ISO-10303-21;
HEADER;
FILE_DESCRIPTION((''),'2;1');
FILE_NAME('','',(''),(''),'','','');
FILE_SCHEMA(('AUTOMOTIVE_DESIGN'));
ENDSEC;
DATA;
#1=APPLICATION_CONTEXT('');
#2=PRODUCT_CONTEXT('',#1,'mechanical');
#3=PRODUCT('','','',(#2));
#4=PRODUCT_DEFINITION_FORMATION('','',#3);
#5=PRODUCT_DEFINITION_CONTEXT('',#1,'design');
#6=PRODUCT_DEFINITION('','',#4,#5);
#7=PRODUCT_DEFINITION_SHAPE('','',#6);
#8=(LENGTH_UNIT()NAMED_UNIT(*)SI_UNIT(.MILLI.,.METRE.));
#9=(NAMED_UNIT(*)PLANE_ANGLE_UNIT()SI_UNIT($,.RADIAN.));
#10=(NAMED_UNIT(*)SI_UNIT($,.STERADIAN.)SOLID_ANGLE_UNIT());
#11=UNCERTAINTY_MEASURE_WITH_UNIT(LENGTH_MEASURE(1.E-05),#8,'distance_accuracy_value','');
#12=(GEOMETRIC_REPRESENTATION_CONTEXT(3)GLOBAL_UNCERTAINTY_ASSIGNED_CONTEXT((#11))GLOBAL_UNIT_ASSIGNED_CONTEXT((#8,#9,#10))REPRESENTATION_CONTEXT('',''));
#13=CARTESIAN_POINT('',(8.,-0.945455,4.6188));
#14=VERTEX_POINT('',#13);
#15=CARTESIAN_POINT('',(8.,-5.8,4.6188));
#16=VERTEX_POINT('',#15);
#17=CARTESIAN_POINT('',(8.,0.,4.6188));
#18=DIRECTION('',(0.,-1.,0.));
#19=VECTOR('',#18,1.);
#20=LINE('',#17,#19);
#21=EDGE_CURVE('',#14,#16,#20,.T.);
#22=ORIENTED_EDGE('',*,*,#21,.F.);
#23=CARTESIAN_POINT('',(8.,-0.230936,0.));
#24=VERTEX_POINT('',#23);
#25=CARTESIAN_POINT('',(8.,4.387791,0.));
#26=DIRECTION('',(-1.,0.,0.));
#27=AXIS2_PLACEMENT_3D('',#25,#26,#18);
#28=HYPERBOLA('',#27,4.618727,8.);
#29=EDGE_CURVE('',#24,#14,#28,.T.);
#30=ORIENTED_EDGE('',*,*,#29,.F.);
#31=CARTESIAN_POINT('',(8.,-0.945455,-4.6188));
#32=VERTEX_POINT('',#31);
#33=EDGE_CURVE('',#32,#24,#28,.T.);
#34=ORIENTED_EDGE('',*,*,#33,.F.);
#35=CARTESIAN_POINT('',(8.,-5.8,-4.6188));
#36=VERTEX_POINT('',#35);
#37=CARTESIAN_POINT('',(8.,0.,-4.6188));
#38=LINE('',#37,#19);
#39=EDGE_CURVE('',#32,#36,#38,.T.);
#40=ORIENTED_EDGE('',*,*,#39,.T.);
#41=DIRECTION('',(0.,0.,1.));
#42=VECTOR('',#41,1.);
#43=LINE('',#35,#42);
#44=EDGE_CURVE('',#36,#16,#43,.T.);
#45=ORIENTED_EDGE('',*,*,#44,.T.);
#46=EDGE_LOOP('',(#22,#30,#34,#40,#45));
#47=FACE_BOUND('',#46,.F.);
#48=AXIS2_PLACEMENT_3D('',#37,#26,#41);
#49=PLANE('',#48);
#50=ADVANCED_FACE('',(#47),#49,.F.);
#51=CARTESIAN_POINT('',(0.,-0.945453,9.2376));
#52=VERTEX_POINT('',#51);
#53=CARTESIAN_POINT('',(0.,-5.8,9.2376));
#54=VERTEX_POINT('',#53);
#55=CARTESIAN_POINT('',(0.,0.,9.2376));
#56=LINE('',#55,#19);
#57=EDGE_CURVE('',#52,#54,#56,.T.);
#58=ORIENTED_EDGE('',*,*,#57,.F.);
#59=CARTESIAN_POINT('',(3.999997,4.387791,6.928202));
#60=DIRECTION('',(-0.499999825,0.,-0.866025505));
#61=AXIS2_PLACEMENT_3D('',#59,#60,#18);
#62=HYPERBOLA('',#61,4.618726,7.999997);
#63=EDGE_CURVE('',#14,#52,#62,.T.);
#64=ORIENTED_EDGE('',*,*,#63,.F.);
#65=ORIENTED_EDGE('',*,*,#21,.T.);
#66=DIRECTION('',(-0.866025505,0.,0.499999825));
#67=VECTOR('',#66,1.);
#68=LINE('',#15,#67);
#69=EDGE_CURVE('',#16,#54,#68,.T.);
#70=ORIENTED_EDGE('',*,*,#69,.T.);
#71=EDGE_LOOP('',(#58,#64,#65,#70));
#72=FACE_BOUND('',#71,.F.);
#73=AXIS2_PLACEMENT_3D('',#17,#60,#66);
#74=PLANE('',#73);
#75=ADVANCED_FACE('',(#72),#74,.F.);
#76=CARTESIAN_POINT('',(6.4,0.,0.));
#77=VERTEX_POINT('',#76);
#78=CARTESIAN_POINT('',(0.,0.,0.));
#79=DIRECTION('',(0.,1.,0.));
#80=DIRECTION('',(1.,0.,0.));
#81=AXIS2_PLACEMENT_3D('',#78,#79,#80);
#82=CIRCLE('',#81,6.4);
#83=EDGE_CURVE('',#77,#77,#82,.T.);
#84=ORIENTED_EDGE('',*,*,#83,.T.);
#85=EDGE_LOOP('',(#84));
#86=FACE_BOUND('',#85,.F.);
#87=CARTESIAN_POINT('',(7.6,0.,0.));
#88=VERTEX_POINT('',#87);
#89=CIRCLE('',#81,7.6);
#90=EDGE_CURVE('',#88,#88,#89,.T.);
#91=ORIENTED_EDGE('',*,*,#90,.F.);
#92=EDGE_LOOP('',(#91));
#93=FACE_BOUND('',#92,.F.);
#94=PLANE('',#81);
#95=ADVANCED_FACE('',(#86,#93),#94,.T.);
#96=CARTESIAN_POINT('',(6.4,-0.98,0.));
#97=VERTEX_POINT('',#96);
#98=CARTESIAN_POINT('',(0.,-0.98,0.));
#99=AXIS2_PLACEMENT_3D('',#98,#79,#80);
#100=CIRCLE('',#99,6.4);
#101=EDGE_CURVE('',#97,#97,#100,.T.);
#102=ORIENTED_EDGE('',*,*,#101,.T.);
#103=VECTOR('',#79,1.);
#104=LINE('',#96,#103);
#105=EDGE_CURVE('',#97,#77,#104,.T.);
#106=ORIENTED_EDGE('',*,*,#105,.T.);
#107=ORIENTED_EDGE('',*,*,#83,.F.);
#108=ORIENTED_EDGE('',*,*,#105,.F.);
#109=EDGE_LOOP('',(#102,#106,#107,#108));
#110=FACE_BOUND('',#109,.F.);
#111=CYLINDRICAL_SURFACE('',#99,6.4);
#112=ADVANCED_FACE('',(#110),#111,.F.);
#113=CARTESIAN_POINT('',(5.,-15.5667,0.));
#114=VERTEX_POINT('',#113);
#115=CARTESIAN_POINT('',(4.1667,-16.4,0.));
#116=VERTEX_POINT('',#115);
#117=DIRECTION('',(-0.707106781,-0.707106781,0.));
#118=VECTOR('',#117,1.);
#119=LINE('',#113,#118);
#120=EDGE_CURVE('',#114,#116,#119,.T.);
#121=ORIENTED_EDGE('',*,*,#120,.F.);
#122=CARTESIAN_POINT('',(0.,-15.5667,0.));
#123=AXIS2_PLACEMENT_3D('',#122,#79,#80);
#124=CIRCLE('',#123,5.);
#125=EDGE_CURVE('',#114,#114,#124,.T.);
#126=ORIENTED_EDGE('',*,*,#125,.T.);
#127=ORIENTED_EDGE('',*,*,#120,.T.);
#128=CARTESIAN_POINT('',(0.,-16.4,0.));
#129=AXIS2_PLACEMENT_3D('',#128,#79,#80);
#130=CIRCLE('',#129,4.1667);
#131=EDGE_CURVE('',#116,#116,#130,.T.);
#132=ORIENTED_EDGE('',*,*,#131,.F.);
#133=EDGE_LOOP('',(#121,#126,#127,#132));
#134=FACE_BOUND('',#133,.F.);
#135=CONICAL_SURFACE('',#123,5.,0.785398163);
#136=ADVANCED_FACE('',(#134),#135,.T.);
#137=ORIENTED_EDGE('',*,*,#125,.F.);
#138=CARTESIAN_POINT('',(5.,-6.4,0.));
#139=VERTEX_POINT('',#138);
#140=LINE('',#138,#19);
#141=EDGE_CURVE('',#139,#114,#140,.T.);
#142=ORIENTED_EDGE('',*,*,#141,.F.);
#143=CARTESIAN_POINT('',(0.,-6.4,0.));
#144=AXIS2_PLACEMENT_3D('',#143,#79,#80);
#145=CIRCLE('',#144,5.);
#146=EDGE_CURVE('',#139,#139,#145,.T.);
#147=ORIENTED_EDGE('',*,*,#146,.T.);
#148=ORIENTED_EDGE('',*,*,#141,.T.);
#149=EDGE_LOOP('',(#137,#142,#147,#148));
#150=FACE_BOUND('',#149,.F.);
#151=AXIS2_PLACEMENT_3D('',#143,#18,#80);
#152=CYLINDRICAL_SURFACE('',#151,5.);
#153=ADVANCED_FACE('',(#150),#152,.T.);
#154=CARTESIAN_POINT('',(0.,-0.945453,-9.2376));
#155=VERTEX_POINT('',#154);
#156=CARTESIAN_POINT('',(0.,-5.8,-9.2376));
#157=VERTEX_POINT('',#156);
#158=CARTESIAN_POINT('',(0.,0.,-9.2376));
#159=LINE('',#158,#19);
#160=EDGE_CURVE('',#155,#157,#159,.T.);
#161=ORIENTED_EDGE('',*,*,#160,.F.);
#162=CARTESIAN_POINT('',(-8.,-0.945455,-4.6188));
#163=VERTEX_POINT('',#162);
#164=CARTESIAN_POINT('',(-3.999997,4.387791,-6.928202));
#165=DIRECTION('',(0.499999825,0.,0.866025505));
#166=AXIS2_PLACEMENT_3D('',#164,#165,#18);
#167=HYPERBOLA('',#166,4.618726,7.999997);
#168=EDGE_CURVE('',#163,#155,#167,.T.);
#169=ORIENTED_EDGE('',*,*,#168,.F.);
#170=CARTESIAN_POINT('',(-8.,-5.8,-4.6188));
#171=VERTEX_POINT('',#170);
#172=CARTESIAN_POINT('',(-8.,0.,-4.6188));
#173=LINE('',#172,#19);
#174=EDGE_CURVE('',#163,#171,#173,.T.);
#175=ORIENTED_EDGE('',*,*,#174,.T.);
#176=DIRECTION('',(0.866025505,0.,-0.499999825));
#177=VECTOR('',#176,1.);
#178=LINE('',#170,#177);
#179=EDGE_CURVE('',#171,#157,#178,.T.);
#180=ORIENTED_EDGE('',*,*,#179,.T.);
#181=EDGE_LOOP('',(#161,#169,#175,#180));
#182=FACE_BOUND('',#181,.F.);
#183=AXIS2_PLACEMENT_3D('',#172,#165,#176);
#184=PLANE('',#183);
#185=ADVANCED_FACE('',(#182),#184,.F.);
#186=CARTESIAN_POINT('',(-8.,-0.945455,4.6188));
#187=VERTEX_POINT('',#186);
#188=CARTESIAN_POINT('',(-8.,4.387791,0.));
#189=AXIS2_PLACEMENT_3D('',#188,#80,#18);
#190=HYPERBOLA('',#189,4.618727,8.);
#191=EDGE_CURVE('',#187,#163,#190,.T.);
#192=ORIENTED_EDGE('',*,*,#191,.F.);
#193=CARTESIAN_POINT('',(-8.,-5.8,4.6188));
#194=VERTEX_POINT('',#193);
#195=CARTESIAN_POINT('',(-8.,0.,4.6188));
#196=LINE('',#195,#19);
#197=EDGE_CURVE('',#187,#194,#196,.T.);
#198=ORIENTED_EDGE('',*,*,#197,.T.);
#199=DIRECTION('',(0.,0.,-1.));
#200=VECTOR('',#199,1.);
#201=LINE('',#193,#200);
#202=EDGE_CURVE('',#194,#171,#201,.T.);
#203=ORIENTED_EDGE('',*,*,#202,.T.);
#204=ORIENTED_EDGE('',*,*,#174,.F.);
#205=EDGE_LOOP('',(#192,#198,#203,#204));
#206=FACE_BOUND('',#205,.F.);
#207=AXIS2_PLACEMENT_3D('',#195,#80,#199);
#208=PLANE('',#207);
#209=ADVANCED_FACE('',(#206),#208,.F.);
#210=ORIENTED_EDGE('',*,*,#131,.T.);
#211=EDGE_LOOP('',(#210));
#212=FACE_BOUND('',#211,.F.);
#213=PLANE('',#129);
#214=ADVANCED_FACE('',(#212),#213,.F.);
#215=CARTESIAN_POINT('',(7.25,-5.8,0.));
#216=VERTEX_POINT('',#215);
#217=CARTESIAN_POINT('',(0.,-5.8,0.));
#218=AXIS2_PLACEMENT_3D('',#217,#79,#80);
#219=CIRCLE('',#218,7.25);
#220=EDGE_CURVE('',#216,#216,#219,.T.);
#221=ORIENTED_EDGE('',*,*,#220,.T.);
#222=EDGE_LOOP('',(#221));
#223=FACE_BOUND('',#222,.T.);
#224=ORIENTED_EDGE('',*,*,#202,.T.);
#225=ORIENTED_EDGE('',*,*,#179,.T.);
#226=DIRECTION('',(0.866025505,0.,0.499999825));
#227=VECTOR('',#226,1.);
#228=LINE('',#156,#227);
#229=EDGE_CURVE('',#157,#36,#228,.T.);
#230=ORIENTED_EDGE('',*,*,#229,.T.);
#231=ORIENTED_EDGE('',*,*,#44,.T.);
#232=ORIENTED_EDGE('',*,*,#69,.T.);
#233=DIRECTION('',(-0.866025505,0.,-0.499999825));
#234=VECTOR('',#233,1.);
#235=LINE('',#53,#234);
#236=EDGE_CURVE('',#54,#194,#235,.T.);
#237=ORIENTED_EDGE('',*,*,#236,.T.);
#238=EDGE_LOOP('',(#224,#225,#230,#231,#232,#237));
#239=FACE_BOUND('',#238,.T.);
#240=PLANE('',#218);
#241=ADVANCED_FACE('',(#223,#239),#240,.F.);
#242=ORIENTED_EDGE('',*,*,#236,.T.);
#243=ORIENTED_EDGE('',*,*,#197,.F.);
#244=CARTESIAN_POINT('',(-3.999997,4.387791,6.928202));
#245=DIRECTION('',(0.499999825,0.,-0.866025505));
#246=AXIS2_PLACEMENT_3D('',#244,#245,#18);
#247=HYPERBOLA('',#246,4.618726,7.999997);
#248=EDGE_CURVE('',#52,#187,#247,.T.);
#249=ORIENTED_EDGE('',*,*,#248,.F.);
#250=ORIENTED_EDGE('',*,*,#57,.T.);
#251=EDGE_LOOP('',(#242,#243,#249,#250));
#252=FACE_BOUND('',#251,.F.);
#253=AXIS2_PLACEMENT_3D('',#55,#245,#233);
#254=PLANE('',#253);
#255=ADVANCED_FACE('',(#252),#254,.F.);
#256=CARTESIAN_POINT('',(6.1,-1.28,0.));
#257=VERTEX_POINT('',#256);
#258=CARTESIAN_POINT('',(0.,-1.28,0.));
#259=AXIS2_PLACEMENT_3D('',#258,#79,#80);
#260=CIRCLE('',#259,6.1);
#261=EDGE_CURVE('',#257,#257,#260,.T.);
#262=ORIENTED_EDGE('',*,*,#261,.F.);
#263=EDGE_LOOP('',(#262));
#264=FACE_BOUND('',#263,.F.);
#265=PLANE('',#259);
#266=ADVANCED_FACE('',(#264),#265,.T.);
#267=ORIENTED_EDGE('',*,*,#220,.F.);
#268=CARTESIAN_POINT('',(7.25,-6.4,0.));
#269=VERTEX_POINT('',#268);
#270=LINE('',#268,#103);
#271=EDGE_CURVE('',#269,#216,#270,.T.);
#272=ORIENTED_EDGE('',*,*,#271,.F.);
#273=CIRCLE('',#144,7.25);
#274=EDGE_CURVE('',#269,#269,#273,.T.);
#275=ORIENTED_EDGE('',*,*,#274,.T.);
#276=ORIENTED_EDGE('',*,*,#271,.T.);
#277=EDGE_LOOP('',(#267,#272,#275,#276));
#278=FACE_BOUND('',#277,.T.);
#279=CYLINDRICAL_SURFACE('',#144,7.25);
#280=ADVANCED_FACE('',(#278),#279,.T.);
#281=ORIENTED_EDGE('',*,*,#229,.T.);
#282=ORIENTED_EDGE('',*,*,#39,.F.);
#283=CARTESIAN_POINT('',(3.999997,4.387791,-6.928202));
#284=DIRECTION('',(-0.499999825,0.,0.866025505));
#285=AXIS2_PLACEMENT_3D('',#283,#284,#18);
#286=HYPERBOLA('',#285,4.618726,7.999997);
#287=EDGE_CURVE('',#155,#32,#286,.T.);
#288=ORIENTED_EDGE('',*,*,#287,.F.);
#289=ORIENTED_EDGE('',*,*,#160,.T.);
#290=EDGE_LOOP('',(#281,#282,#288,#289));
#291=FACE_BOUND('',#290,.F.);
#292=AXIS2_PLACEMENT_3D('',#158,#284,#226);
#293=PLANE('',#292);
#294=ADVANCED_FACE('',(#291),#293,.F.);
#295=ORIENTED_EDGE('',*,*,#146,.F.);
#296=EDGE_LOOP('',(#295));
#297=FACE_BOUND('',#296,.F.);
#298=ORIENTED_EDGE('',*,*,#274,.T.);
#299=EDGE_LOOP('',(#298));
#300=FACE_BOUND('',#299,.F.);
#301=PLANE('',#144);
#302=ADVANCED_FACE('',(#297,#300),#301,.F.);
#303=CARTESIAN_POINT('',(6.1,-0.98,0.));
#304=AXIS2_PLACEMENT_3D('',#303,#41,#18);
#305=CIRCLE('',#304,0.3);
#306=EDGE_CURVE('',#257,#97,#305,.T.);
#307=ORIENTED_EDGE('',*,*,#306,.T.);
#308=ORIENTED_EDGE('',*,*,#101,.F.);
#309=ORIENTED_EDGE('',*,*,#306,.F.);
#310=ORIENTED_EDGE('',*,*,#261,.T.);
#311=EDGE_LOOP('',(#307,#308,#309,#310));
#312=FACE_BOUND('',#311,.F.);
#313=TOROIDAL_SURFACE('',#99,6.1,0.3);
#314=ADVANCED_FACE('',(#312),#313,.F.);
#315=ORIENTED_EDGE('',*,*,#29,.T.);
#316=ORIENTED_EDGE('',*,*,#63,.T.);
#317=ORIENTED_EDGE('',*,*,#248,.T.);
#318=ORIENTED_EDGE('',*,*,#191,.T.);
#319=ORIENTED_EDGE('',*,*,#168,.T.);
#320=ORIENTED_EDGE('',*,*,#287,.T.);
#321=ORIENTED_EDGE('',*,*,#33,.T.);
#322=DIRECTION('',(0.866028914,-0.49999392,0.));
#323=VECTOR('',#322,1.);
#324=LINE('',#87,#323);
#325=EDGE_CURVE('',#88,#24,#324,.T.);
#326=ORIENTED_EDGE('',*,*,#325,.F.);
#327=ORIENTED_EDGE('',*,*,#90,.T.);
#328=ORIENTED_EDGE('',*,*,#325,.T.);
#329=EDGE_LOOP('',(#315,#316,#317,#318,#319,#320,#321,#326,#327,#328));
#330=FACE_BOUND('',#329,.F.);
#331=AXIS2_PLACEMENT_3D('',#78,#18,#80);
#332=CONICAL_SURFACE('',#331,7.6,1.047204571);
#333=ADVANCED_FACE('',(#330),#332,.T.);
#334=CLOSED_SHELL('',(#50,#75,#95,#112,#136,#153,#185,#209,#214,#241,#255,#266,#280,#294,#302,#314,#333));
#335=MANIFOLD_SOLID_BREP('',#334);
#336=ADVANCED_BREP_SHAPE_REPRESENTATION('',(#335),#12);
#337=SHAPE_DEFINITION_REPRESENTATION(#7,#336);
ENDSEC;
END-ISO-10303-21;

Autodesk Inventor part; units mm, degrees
ref_plane "YZ Plane" through (0, 0, 0) normal (1, 0, 0) x (0, 1, 0)
ref_plane "XZ Plane" through (0, 0, 0) normal (0, 1, 0) x (-1, 0, 0)
ref_plane "XY Plane" through (0, 0, 0) normal (0, 0, 1) x (1, 0, 0)
sketch "Sketch1" plane through (0, 0, 0) normal (0, 0, 1) x (1, 0, 0)
  line L0 (6.4, 0) -> (7.6, 0)
  line L1 (12, -2.5403) -> (12, -5.8)
  line L2 (7.25, -6.4) -> (5, -6.4)
  line L3 (5, -6.4) -> (5, -16.4)
  line L4 (5, -16.4) -> (0, -16.4)
  line L5 (0, -16.4) -> (0, 0)
  line L6 (7.25, -6.4) -> (7.25, -5.8)
  line L7 (7.25, -5.8) -> (12, -5.8)
  line L8 (0, -1.28) -> (6.1, -1.28)
  line L9 (6.4, -0.98) -> (6.4, 0)
  line L10 (7.6, 0) -> (12, -2.5403)
  arc A0 (6.1, -1.28) -> (6.4, -0.98) centre (6.1, -0.98) ccw
  dimension "d0" = 24
  dimension "d1" = 10
  dimension "d3" = 10
  dimension "d4" = 14.5
  dimension "d5" = 0.6
  dimension "d26" = 15.2
  dimension "d27" = 30
  dimension "d28" = 12.8
  dimension "d29" = 1.28
  dimension "d30" = 0.3
  dimension "d31" = 6.4
revolve "Revolution1" add sketch "Sketch1" angle 360 about axis through (0, -16.4, 0) along (0, 1, 0)
sketch "Sketch2" plane through (0, 0, 0) normal (0, 1, 0) x (1, 0, 0)
  line L0 (0, -9.2376) -> (-8, -4.6188)
  line L1 (-8, -4.6188) -> (-8, 4.6188)
  line L2 (-8, 4.6188) -> (0, 9.2376)
  line L3 (0, 9.2376) -> (8, 4.6188)
  line L4 (8, 4.6188) -> (8, -4.6188)
  line L5 (8, -4.6188) -> (0, -9.2376)
  circle A0 centre (0, 0) radius 12 projected
  point P0 (0, 0)
  point P1 (0, 0)
  dimension "d32" = 16
extrude "Extrusion1" cut sketch "Sketch2" against normal blind 5.8
thread "Thread1" size "M10x1.5" class "6g" standard "ISO Metric profile" length 8
chamfer "Chamfer1" distance 0.8333 angle 45 1 edges at (-5, -16.4, 0)
equation "\"d0\" = 1.5 * S_"
equation "\"d1\" = d1_"
equation "\"d3\" = L"
equation "\"d4\" = dw"
equation "\"d5\" = hw"
equation "\"d26\" = 0.95 * S_"
equation "\"d28\" = 0.8 * S_"
equation "\"d29\" = 0.2 * k"
equation "\"d31\" = k"
equation "\"d14\" = b"
equation "\"d16\" = 0.0833333 * d"
equation "\"d32\" = S_"
equation "\"d33\" = k - hw"
equation "\"d1_\" = 10"
equation "\"S_\" = 16"
equation "\"k\" = 6.4"
equation "\"e\" = 17.6"
equation "\"L\" = 10"
equation "\"b\" = 8"
equation "\"Grip_Length\" = 2"
equation "\"dw\" = 14.5"
equation "\"hw\" = 0.6"
equation "\"d\" = 10"
properties part number "Bolt 4A M10-6g×10(S16) GOST 7798-70" material "Steel, Mild"
